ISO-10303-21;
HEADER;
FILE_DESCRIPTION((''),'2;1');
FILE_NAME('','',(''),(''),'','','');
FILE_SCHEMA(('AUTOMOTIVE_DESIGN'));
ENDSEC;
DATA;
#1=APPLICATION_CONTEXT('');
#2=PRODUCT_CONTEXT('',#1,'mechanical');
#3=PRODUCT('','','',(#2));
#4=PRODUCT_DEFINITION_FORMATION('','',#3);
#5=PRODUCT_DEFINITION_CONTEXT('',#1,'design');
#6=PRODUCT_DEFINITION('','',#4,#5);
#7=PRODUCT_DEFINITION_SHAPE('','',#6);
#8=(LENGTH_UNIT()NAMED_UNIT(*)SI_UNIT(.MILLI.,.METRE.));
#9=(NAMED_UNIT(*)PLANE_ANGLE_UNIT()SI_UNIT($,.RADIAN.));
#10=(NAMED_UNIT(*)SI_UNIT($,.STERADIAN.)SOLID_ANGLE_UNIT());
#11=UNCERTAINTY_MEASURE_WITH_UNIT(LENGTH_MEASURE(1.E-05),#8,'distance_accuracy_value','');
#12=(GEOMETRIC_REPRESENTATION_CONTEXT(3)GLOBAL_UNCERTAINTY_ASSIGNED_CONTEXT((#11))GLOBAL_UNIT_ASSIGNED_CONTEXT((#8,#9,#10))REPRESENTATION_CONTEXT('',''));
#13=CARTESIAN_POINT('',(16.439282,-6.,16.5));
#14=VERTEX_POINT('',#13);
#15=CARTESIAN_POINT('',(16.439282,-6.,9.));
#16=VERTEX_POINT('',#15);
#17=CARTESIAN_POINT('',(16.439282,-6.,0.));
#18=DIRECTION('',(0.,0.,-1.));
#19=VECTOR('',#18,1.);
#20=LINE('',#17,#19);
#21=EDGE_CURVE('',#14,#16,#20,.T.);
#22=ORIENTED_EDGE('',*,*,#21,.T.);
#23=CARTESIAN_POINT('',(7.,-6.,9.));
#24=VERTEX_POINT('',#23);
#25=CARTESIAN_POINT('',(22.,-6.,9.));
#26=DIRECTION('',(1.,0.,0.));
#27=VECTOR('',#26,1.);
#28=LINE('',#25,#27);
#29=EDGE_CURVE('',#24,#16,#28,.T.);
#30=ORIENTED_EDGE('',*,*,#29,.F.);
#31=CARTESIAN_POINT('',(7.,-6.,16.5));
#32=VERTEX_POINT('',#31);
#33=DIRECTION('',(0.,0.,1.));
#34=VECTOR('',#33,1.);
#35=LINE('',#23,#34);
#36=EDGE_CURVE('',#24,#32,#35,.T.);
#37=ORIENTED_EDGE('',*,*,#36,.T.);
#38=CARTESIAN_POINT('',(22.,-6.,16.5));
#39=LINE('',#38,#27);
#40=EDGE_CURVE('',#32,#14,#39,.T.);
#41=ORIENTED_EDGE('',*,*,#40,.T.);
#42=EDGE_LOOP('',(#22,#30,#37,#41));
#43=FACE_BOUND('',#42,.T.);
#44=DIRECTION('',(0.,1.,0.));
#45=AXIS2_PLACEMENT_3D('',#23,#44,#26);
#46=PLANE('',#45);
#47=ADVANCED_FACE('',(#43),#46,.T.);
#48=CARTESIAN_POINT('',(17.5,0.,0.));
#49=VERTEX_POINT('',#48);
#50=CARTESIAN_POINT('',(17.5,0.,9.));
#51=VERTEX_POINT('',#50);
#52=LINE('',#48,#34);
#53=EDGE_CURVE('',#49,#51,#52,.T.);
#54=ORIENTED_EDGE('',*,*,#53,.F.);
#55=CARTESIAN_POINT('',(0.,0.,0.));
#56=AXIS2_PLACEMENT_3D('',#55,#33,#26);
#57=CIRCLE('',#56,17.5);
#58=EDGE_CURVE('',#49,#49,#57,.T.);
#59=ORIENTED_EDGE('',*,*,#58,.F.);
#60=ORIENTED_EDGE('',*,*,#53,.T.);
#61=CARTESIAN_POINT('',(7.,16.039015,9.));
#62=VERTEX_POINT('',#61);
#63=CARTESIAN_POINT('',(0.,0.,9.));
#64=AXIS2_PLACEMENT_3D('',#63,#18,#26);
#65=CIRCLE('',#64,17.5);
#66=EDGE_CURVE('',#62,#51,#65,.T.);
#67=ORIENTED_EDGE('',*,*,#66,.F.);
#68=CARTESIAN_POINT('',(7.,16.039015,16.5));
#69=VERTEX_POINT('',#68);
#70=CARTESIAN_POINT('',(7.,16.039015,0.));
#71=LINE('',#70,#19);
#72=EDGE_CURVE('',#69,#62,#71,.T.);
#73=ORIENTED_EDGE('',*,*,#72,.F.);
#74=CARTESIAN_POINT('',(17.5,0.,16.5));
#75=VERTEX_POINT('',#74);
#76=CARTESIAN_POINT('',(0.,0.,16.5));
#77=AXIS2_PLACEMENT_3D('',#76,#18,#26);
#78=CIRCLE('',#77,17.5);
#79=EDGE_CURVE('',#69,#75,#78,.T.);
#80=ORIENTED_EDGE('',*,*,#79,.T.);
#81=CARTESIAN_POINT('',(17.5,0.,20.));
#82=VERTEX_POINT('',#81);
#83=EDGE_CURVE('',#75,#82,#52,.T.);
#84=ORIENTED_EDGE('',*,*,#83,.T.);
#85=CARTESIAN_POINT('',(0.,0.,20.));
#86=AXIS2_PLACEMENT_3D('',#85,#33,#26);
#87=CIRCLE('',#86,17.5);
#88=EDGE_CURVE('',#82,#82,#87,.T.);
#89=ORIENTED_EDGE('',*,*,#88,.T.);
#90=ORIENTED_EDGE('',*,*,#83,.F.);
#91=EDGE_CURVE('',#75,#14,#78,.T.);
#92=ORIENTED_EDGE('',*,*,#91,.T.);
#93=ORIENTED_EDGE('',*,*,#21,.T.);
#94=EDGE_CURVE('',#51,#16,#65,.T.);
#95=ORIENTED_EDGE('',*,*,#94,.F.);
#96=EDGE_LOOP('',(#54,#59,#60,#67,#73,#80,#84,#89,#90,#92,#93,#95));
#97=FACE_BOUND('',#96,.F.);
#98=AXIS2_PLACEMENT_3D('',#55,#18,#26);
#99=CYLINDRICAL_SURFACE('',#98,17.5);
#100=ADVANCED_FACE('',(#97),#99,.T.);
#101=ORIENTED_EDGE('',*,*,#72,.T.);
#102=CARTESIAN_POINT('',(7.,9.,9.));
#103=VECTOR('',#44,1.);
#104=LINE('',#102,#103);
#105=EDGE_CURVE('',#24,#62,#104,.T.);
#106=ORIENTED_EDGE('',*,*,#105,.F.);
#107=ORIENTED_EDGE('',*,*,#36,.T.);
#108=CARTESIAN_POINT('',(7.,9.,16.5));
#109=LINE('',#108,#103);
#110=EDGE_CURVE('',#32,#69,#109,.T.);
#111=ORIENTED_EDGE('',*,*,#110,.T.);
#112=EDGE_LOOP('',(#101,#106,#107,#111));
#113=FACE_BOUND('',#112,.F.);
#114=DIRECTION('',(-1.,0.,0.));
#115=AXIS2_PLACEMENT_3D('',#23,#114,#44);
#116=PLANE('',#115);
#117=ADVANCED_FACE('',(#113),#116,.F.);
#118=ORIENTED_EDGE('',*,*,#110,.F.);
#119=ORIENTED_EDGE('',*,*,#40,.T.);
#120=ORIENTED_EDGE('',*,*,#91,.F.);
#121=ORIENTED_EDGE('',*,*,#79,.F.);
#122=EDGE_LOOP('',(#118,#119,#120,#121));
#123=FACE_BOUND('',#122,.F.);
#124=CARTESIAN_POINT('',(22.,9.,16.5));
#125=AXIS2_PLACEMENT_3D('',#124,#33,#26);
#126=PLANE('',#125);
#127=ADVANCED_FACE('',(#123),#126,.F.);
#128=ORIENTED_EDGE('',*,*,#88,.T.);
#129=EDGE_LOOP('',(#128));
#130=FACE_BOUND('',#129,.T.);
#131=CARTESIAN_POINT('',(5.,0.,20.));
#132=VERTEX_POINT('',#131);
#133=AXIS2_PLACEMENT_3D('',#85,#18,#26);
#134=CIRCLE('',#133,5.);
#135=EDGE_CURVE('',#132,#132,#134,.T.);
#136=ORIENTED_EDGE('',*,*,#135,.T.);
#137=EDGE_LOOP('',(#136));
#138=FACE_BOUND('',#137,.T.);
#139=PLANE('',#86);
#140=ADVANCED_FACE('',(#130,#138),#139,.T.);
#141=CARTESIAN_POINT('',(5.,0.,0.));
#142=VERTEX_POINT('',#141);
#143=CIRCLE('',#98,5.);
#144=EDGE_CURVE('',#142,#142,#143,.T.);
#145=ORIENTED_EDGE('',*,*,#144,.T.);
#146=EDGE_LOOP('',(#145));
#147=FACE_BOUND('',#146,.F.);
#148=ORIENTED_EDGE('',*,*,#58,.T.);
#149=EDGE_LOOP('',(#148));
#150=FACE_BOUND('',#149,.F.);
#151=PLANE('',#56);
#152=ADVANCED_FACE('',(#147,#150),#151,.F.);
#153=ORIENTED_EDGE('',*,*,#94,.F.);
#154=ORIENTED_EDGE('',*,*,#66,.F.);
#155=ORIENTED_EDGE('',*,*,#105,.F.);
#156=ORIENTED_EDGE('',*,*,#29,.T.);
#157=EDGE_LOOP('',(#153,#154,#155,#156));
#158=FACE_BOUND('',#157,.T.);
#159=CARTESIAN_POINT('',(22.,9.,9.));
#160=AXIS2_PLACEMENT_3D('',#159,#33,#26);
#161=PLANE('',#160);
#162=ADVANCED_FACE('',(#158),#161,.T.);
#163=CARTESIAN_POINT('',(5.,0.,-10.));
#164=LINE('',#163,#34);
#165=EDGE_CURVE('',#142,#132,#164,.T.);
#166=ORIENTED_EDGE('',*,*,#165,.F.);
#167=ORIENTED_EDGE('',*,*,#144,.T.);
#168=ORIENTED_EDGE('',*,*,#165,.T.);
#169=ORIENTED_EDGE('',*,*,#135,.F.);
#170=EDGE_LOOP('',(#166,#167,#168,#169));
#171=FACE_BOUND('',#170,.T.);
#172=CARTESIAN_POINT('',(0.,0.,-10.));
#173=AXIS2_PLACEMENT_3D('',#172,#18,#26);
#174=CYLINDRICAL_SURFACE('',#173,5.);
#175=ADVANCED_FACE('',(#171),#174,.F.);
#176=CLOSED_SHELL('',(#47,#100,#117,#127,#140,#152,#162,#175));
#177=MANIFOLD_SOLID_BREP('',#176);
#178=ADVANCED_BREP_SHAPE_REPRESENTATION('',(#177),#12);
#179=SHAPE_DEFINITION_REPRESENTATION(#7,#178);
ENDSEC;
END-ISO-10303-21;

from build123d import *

# Parameters (mm, degrees)
BOX_W             = 30
BOX_H             = 30
BOX_DEPTH         = 7.5
CYLINDER001_R     = 5
CYLINDER001_DEPTH = 40
CYLINDER_R        = 17.5
CYLINDER_DEPTH    = 20


with BuildPart() as cube:
    # Box → Box (new body)
    with BuildSketch(Plane(origin=(7, -6, 9), x_dir=(1, 0, 0), z_dir=(0, 0, 1))):
        with Locations((15, 15)):
            Rectangle(BOX_W, BOX_H)
    extrude(amount=BOX_DEPTH)


with BuildPart() as cylinder001:
    # Cylinder001 → Cylinder001 (new body)
    with BuildSketch(Plane.XY.offset(-10)):
        Circle(CYLINDER001_R)
    extrude(amount=CYLINDER001_DEPTH)


with BuildPart() as mount_bottom:
    # Cylinder → Cylinder (new body)
    with BuildSketch(Plane.XY):
        Circle(CYLINDER_R)
    extrude(amount=CYLINDER_DEPTH)

    # Cut: cut Cylinder001
    add(cylinder001.part, mode=Mode.SUBTRACT)

    # Cut001: cut Cube
    add(cube.part, mode=Mode.SUBTRACT)


solid = mount_bottom.part
